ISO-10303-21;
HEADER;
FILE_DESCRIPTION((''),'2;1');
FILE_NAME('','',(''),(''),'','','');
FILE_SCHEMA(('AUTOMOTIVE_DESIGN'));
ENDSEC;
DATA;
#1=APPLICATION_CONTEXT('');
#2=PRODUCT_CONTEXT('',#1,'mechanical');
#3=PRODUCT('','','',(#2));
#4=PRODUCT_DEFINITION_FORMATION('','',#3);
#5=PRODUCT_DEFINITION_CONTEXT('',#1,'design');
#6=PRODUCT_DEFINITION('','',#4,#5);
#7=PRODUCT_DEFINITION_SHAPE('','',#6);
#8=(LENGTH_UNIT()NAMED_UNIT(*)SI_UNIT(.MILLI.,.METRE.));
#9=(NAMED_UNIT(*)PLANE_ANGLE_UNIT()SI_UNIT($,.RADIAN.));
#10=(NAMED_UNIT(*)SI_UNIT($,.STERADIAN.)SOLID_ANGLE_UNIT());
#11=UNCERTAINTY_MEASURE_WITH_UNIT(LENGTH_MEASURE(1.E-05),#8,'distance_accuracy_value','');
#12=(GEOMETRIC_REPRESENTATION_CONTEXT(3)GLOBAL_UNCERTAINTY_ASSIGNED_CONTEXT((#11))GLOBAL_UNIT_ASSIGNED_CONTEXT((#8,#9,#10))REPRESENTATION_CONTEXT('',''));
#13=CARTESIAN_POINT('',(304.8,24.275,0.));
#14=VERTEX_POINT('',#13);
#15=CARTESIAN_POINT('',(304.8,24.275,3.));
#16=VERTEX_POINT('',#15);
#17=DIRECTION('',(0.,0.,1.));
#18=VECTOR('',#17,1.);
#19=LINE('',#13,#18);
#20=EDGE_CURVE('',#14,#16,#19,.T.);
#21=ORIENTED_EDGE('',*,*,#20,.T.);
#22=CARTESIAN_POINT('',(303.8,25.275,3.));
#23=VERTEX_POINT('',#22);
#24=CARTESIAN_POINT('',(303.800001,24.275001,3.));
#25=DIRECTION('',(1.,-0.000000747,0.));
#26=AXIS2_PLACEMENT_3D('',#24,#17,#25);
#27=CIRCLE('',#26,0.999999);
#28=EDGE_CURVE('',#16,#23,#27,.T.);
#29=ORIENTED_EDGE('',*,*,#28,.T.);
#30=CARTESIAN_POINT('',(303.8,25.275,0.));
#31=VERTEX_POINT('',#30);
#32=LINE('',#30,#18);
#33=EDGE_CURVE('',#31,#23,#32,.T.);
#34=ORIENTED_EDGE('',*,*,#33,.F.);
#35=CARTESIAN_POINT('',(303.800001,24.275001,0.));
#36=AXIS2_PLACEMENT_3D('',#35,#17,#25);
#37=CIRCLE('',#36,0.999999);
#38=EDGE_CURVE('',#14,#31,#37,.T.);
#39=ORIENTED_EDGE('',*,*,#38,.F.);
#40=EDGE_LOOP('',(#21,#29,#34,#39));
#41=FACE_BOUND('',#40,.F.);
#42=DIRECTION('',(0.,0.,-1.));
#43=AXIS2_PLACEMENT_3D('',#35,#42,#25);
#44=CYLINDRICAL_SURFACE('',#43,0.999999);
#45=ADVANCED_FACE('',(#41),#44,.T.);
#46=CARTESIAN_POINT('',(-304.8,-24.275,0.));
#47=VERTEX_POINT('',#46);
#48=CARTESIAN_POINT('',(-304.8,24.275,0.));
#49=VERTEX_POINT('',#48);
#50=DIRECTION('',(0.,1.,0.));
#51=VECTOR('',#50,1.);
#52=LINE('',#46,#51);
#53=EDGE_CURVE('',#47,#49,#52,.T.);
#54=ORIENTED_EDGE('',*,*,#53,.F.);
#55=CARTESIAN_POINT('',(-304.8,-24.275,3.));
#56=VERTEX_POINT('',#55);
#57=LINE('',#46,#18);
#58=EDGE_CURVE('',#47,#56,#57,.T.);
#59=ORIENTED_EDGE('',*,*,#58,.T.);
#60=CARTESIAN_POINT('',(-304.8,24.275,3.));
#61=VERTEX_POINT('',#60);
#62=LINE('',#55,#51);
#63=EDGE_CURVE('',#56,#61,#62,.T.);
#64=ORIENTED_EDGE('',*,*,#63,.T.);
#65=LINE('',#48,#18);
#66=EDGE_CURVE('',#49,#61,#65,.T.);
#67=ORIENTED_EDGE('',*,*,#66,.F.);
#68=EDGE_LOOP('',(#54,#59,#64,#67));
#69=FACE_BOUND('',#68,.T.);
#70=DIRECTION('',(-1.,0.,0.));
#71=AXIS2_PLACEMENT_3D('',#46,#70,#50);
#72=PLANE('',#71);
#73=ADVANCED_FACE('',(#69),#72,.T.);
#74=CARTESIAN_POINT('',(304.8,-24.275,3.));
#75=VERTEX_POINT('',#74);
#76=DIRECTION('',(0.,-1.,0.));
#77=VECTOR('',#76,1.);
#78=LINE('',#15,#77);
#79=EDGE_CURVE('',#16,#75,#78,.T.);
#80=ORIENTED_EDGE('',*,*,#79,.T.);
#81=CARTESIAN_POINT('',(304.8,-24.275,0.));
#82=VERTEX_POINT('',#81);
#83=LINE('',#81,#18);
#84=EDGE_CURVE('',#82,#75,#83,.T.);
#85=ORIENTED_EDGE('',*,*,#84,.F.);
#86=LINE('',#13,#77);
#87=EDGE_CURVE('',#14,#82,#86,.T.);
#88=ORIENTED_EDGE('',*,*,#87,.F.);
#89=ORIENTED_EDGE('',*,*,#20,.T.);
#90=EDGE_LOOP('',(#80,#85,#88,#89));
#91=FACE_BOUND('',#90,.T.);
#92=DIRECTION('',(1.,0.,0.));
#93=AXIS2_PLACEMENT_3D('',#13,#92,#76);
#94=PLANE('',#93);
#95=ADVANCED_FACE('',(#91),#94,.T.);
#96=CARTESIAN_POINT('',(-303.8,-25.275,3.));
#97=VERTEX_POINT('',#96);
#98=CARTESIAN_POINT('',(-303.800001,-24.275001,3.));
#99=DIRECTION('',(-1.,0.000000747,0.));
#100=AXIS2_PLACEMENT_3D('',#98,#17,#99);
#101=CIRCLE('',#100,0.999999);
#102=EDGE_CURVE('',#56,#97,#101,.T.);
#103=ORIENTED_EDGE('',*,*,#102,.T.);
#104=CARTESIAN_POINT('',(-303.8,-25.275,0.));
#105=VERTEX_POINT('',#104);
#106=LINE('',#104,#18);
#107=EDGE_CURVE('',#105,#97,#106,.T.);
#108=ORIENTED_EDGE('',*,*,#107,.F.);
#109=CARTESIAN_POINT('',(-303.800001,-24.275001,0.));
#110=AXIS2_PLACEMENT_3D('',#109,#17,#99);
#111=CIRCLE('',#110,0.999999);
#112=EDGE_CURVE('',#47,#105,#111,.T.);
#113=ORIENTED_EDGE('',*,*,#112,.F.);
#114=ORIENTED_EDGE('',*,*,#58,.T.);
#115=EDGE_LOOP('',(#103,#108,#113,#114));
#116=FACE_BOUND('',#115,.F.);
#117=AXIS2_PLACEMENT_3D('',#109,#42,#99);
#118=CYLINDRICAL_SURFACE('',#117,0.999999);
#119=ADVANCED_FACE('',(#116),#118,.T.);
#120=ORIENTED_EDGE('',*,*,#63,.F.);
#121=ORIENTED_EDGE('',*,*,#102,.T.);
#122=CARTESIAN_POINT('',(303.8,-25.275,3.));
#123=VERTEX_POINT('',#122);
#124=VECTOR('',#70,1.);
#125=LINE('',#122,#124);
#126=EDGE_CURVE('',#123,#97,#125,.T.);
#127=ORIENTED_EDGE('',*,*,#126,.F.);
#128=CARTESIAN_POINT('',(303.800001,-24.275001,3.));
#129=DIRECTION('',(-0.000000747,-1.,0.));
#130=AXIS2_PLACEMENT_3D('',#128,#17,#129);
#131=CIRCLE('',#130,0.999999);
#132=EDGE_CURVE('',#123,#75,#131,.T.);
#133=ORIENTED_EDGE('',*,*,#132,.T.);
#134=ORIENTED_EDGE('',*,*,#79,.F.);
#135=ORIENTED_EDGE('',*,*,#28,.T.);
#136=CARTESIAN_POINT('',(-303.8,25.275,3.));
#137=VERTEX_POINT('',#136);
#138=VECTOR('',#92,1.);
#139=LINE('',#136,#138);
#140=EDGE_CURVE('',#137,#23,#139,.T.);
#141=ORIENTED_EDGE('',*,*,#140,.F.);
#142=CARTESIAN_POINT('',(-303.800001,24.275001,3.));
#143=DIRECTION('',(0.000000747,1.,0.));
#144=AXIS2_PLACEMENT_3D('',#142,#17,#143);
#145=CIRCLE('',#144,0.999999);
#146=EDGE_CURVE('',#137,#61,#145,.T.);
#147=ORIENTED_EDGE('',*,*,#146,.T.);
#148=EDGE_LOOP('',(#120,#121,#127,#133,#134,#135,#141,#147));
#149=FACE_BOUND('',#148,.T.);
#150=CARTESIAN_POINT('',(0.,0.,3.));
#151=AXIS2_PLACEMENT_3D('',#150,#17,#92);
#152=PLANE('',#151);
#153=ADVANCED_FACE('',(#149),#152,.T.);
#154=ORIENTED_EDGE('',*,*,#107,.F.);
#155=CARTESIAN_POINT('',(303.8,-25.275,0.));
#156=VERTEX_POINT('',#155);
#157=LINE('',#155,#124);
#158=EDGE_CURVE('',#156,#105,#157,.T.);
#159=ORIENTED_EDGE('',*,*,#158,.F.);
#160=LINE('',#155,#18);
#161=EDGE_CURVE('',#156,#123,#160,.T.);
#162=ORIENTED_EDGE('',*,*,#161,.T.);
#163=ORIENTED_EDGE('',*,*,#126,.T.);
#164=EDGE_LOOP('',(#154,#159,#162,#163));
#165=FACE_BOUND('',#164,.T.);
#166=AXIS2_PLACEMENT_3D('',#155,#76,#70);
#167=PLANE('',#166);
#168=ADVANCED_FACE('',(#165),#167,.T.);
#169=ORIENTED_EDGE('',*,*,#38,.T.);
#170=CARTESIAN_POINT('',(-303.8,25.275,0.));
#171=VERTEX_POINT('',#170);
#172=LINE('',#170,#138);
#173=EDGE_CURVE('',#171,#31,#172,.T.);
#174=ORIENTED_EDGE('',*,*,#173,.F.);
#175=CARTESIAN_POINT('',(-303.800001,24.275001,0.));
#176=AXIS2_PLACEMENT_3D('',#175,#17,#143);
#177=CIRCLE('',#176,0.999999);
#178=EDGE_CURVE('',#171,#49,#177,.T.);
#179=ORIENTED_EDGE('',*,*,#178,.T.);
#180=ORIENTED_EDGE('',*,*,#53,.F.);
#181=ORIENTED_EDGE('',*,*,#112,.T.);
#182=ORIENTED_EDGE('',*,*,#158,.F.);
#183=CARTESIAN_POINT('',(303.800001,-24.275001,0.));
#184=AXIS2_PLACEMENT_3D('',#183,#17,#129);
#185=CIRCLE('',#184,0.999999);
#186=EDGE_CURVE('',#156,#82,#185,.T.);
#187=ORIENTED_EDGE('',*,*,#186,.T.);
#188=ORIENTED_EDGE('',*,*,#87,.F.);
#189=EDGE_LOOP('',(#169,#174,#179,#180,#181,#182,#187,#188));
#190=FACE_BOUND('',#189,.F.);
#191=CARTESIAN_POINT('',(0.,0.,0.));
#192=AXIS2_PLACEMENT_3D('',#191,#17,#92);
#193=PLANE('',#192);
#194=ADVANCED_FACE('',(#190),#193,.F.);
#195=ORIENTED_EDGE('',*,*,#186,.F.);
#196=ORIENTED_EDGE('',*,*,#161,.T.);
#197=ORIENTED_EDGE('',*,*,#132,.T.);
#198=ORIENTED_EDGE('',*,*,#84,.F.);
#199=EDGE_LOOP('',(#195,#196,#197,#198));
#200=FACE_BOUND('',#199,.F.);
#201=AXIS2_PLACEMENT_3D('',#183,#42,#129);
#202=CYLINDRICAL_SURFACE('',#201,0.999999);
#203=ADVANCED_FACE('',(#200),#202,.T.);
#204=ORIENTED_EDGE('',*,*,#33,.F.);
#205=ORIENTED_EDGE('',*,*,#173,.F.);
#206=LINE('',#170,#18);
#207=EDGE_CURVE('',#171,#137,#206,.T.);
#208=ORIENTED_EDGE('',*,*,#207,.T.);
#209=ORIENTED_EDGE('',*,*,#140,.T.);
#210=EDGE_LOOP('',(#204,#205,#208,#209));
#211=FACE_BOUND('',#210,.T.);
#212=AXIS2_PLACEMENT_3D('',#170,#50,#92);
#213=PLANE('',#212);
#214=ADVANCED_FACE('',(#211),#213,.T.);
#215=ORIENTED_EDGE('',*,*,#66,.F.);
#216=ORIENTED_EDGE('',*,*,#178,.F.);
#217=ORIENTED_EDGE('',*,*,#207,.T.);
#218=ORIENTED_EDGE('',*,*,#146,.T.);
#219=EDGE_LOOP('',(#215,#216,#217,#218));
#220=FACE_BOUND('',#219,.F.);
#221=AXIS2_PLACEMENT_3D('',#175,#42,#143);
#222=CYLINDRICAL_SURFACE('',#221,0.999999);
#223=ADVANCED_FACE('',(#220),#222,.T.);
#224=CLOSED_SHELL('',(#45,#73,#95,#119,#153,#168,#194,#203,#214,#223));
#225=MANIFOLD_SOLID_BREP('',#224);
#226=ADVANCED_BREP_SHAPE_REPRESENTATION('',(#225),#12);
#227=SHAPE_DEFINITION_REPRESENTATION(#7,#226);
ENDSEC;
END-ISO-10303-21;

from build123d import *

# Parameters (mm, degrees)
PAD_DEPTH = 3


with BuildPart() as part:
    # Sketch → Pad (new body)
    with BuildSketch(Plane.XY):
        with BuildLine():
            ThreePointArc((-303.8, 25.275), (-304.507107, 24.982107), (-304.8, 24.275))
            Line((-304.8, -24.275), (-304.8, 24.275))
            ThreePointArc((-304.8, -24.275), (-304.507107, -24.982107), (-303.8, -25.275))
            Line((303.8, -25.275), (-303.8, -25.275))
            ThreePointArc((303.8, -25.275), (304.507107, -24.982107), (304.8, -24.275))
            Line((304.8, 24.275), (304.8, -24.275))
            ThreePointArc((304.8, 24.275), (304.507107, 24.982107), (303.8, 25.275))
            Line((-303.8, 25.275), (303.8, 25.275))
        make_face()
    extrude(amount=PAD_DEPTH)


solid = part.part
